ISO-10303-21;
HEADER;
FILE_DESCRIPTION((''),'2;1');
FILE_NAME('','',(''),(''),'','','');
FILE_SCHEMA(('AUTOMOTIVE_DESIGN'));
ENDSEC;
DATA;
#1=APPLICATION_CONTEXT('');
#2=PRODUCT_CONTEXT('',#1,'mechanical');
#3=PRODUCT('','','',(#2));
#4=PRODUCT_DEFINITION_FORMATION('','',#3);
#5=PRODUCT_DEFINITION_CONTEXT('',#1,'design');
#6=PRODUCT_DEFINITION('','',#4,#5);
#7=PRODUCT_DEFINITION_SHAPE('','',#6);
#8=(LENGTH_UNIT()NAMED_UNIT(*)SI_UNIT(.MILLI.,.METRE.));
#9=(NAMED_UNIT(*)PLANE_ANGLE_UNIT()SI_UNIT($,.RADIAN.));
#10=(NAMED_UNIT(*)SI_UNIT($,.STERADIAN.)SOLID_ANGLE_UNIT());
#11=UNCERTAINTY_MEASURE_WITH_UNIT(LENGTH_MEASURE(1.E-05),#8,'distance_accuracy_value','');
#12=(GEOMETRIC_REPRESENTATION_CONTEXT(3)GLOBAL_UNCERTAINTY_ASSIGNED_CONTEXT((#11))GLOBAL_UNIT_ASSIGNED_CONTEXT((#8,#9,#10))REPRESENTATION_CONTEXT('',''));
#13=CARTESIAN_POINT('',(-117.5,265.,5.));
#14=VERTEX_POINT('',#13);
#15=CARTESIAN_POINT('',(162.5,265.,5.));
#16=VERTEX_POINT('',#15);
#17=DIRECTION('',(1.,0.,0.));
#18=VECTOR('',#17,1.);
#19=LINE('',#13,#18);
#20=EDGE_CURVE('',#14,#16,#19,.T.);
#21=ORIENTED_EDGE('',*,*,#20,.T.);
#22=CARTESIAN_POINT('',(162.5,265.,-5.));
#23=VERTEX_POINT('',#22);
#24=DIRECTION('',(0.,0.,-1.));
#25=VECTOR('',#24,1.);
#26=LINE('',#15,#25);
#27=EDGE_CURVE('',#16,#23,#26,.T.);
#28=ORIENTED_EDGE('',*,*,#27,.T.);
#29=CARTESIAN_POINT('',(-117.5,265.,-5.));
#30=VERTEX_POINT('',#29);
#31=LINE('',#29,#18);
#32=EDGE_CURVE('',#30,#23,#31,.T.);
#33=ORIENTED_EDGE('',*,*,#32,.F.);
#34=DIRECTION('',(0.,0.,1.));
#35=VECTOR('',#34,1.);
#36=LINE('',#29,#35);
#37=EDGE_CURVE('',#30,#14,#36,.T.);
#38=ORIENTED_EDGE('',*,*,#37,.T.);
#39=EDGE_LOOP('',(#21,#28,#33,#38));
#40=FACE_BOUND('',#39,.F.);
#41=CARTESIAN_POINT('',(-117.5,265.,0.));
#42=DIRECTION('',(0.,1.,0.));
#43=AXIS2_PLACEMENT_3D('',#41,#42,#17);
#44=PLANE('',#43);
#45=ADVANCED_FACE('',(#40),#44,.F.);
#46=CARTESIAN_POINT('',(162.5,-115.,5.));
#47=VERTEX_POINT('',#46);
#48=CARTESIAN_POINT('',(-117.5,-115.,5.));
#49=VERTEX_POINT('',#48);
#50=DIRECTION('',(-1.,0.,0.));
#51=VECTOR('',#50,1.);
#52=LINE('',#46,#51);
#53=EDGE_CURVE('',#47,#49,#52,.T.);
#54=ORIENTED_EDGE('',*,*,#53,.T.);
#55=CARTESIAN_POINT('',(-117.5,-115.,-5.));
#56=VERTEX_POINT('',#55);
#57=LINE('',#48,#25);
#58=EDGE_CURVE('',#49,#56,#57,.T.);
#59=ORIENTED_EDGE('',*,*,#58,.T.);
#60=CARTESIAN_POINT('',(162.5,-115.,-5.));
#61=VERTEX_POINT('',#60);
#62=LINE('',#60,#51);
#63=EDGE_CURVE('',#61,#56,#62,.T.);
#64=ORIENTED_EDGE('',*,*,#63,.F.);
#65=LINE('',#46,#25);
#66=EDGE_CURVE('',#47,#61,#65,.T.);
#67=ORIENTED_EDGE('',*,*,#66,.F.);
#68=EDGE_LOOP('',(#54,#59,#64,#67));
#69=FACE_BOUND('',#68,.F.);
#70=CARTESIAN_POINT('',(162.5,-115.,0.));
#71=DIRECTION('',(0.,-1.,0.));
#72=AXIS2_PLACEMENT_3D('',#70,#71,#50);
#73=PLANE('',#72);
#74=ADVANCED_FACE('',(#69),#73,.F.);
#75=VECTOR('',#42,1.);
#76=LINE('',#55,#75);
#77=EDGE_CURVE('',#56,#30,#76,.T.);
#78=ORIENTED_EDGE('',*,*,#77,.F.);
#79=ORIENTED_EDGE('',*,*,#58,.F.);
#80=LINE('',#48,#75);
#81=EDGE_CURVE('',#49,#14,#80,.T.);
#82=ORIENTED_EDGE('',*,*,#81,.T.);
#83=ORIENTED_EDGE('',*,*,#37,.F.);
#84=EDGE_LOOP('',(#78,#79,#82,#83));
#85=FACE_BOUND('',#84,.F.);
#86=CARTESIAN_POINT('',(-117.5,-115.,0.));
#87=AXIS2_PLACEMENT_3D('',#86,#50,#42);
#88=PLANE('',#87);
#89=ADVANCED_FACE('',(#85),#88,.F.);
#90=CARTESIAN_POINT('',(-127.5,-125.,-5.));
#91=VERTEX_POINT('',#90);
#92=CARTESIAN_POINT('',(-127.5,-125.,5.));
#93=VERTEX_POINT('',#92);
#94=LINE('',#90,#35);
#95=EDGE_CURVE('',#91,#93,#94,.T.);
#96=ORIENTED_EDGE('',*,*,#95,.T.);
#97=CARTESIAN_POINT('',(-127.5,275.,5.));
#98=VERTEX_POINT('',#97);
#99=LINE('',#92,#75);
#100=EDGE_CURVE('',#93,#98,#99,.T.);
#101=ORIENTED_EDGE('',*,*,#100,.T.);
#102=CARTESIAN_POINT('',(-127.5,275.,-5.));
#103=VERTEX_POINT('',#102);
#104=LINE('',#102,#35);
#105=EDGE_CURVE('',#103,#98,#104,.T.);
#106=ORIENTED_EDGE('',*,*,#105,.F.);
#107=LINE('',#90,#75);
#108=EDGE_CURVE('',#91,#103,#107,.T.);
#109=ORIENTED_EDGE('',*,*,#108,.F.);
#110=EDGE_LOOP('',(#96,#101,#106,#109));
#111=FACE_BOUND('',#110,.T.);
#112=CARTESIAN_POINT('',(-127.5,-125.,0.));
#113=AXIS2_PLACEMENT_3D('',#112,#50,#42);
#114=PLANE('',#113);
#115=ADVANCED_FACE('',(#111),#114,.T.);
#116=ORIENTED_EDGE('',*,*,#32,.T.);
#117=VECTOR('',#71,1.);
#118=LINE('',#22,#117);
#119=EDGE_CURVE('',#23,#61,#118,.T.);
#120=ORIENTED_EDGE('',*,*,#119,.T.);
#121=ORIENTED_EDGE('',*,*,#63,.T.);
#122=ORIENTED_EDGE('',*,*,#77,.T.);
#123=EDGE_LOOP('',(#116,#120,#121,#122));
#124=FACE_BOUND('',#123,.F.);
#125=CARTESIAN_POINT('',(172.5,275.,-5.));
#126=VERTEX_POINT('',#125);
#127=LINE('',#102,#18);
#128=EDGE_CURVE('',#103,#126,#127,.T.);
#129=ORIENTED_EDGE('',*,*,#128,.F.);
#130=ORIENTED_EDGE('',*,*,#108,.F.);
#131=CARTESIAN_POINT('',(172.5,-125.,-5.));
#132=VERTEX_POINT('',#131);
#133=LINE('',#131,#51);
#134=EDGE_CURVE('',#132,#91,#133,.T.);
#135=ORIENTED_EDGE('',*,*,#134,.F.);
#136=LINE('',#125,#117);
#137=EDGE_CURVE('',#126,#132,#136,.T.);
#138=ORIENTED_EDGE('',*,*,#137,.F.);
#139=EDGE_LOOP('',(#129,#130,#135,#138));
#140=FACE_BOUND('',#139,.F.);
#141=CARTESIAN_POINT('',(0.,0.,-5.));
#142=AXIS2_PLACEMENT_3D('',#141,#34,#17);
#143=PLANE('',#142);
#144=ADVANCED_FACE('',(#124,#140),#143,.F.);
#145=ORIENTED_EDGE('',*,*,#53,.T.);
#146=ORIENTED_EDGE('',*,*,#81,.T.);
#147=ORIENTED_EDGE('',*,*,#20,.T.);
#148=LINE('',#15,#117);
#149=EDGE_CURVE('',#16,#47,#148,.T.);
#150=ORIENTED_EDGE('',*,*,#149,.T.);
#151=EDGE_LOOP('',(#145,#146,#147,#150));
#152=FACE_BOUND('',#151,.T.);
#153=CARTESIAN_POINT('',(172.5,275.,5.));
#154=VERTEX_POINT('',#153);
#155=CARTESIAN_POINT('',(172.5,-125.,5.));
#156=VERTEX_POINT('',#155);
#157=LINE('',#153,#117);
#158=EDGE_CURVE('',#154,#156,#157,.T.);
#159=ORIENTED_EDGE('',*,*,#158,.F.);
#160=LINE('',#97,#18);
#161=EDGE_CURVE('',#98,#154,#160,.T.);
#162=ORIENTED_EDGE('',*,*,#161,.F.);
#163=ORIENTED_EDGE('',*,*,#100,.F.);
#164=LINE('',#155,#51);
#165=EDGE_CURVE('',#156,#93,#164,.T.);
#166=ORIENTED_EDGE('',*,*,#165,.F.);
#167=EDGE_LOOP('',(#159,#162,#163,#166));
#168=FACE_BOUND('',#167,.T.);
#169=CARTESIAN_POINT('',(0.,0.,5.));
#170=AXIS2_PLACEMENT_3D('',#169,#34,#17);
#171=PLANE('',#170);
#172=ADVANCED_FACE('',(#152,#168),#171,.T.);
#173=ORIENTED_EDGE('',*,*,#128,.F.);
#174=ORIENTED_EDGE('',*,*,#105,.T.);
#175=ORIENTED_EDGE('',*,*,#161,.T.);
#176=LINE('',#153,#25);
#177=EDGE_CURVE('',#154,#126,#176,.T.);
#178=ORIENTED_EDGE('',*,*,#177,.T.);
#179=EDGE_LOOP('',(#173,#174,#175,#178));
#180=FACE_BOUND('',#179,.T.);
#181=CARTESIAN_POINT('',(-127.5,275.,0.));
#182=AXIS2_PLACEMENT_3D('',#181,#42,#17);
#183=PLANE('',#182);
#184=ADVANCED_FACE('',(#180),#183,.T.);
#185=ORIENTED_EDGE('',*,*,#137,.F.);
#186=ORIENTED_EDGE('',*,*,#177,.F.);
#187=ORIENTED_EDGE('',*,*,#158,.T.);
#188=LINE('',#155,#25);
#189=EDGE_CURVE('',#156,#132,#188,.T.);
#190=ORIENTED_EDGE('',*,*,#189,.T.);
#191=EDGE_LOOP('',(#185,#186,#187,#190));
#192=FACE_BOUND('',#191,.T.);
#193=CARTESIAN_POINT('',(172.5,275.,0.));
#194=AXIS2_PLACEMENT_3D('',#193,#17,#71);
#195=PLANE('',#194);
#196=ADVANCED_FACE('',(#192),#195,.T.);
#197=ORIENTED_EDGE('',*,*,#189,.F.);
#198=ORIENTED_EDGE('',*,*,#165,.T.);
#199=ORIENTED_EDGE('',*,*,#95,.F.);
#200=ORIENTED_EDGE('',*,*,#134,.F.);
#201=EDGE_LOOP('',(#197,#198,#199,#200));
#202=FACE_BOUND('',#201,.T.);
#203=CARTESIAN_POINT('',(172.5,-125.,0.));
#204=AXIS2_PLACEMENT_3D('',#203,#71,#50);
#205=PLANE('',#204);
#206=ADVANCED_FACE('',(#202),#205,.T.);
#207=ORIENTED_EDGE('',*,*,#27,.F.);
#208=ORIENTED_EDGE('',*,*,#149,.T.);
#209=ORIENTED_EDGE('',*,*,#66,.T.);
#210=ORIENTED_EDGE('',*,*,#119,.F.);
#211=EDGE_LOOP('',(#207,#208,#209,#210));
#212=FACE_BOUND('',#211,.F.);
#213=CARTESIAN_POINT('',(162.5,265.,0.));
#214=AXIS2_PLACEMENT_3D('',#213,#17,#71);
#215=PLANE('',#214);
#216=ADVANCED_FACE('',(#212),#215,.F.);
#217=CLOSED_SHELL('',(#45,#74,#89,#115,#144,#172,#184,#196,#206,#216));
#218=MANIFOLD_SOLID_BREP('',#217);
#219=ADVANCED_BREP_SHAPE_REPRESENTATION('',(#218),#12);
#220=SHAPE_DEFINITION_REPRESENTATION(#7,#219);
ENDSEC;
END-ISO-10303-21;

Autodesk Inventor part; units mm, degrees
ref_plane "YZ Plane" through (0, 0, 0) normal (1, 0, 0) x (0, 1, 0)
ref_plane "XZ Plane" through (0, 0, 0) normal (0, 1, 0) x (-1, 0, 0)
ref_plane "XY Plane" through (0, 0, 0) normal (0, 0, 1) x (1, 0, 0)
sketch "Sketch1" plane through (0, 0, 0) normal (0, 0, 1) x (1, 0, 0)
  line L0 (-127.5, 275) -> (172.5, 275)
  line L1 (172.5, 275) -> (172.5, -125)
  line L2 (172.5, -125) -> (-127.5, -125)
  line L3 (-127.5, -125) -> (-127.5, 275)
  line L4 (-117.5, 265) -> (162.5, 265)
  line L5 (162.5, 265) -> (162.5, -115)
  line L6 (162.5, -115) -> (-117.5, -115)
  line L7 (-117.5, -115) -> (-117.5, 265)
  point P0 (0, 0)
  dimension "d0" = 300
  dimension "d1" = 10
  dimension "d2" = 10
  dimension "d3" = 10
  dimension "d4" = 10
  dimension "d5" = 400
  dimension "d6" = 172.5
  dimension "d7" = 115
extrude "Extrusion1" add sketch "Sketch1" along normal mid plane 10
properties part number "Steel support4" material "Steel"
